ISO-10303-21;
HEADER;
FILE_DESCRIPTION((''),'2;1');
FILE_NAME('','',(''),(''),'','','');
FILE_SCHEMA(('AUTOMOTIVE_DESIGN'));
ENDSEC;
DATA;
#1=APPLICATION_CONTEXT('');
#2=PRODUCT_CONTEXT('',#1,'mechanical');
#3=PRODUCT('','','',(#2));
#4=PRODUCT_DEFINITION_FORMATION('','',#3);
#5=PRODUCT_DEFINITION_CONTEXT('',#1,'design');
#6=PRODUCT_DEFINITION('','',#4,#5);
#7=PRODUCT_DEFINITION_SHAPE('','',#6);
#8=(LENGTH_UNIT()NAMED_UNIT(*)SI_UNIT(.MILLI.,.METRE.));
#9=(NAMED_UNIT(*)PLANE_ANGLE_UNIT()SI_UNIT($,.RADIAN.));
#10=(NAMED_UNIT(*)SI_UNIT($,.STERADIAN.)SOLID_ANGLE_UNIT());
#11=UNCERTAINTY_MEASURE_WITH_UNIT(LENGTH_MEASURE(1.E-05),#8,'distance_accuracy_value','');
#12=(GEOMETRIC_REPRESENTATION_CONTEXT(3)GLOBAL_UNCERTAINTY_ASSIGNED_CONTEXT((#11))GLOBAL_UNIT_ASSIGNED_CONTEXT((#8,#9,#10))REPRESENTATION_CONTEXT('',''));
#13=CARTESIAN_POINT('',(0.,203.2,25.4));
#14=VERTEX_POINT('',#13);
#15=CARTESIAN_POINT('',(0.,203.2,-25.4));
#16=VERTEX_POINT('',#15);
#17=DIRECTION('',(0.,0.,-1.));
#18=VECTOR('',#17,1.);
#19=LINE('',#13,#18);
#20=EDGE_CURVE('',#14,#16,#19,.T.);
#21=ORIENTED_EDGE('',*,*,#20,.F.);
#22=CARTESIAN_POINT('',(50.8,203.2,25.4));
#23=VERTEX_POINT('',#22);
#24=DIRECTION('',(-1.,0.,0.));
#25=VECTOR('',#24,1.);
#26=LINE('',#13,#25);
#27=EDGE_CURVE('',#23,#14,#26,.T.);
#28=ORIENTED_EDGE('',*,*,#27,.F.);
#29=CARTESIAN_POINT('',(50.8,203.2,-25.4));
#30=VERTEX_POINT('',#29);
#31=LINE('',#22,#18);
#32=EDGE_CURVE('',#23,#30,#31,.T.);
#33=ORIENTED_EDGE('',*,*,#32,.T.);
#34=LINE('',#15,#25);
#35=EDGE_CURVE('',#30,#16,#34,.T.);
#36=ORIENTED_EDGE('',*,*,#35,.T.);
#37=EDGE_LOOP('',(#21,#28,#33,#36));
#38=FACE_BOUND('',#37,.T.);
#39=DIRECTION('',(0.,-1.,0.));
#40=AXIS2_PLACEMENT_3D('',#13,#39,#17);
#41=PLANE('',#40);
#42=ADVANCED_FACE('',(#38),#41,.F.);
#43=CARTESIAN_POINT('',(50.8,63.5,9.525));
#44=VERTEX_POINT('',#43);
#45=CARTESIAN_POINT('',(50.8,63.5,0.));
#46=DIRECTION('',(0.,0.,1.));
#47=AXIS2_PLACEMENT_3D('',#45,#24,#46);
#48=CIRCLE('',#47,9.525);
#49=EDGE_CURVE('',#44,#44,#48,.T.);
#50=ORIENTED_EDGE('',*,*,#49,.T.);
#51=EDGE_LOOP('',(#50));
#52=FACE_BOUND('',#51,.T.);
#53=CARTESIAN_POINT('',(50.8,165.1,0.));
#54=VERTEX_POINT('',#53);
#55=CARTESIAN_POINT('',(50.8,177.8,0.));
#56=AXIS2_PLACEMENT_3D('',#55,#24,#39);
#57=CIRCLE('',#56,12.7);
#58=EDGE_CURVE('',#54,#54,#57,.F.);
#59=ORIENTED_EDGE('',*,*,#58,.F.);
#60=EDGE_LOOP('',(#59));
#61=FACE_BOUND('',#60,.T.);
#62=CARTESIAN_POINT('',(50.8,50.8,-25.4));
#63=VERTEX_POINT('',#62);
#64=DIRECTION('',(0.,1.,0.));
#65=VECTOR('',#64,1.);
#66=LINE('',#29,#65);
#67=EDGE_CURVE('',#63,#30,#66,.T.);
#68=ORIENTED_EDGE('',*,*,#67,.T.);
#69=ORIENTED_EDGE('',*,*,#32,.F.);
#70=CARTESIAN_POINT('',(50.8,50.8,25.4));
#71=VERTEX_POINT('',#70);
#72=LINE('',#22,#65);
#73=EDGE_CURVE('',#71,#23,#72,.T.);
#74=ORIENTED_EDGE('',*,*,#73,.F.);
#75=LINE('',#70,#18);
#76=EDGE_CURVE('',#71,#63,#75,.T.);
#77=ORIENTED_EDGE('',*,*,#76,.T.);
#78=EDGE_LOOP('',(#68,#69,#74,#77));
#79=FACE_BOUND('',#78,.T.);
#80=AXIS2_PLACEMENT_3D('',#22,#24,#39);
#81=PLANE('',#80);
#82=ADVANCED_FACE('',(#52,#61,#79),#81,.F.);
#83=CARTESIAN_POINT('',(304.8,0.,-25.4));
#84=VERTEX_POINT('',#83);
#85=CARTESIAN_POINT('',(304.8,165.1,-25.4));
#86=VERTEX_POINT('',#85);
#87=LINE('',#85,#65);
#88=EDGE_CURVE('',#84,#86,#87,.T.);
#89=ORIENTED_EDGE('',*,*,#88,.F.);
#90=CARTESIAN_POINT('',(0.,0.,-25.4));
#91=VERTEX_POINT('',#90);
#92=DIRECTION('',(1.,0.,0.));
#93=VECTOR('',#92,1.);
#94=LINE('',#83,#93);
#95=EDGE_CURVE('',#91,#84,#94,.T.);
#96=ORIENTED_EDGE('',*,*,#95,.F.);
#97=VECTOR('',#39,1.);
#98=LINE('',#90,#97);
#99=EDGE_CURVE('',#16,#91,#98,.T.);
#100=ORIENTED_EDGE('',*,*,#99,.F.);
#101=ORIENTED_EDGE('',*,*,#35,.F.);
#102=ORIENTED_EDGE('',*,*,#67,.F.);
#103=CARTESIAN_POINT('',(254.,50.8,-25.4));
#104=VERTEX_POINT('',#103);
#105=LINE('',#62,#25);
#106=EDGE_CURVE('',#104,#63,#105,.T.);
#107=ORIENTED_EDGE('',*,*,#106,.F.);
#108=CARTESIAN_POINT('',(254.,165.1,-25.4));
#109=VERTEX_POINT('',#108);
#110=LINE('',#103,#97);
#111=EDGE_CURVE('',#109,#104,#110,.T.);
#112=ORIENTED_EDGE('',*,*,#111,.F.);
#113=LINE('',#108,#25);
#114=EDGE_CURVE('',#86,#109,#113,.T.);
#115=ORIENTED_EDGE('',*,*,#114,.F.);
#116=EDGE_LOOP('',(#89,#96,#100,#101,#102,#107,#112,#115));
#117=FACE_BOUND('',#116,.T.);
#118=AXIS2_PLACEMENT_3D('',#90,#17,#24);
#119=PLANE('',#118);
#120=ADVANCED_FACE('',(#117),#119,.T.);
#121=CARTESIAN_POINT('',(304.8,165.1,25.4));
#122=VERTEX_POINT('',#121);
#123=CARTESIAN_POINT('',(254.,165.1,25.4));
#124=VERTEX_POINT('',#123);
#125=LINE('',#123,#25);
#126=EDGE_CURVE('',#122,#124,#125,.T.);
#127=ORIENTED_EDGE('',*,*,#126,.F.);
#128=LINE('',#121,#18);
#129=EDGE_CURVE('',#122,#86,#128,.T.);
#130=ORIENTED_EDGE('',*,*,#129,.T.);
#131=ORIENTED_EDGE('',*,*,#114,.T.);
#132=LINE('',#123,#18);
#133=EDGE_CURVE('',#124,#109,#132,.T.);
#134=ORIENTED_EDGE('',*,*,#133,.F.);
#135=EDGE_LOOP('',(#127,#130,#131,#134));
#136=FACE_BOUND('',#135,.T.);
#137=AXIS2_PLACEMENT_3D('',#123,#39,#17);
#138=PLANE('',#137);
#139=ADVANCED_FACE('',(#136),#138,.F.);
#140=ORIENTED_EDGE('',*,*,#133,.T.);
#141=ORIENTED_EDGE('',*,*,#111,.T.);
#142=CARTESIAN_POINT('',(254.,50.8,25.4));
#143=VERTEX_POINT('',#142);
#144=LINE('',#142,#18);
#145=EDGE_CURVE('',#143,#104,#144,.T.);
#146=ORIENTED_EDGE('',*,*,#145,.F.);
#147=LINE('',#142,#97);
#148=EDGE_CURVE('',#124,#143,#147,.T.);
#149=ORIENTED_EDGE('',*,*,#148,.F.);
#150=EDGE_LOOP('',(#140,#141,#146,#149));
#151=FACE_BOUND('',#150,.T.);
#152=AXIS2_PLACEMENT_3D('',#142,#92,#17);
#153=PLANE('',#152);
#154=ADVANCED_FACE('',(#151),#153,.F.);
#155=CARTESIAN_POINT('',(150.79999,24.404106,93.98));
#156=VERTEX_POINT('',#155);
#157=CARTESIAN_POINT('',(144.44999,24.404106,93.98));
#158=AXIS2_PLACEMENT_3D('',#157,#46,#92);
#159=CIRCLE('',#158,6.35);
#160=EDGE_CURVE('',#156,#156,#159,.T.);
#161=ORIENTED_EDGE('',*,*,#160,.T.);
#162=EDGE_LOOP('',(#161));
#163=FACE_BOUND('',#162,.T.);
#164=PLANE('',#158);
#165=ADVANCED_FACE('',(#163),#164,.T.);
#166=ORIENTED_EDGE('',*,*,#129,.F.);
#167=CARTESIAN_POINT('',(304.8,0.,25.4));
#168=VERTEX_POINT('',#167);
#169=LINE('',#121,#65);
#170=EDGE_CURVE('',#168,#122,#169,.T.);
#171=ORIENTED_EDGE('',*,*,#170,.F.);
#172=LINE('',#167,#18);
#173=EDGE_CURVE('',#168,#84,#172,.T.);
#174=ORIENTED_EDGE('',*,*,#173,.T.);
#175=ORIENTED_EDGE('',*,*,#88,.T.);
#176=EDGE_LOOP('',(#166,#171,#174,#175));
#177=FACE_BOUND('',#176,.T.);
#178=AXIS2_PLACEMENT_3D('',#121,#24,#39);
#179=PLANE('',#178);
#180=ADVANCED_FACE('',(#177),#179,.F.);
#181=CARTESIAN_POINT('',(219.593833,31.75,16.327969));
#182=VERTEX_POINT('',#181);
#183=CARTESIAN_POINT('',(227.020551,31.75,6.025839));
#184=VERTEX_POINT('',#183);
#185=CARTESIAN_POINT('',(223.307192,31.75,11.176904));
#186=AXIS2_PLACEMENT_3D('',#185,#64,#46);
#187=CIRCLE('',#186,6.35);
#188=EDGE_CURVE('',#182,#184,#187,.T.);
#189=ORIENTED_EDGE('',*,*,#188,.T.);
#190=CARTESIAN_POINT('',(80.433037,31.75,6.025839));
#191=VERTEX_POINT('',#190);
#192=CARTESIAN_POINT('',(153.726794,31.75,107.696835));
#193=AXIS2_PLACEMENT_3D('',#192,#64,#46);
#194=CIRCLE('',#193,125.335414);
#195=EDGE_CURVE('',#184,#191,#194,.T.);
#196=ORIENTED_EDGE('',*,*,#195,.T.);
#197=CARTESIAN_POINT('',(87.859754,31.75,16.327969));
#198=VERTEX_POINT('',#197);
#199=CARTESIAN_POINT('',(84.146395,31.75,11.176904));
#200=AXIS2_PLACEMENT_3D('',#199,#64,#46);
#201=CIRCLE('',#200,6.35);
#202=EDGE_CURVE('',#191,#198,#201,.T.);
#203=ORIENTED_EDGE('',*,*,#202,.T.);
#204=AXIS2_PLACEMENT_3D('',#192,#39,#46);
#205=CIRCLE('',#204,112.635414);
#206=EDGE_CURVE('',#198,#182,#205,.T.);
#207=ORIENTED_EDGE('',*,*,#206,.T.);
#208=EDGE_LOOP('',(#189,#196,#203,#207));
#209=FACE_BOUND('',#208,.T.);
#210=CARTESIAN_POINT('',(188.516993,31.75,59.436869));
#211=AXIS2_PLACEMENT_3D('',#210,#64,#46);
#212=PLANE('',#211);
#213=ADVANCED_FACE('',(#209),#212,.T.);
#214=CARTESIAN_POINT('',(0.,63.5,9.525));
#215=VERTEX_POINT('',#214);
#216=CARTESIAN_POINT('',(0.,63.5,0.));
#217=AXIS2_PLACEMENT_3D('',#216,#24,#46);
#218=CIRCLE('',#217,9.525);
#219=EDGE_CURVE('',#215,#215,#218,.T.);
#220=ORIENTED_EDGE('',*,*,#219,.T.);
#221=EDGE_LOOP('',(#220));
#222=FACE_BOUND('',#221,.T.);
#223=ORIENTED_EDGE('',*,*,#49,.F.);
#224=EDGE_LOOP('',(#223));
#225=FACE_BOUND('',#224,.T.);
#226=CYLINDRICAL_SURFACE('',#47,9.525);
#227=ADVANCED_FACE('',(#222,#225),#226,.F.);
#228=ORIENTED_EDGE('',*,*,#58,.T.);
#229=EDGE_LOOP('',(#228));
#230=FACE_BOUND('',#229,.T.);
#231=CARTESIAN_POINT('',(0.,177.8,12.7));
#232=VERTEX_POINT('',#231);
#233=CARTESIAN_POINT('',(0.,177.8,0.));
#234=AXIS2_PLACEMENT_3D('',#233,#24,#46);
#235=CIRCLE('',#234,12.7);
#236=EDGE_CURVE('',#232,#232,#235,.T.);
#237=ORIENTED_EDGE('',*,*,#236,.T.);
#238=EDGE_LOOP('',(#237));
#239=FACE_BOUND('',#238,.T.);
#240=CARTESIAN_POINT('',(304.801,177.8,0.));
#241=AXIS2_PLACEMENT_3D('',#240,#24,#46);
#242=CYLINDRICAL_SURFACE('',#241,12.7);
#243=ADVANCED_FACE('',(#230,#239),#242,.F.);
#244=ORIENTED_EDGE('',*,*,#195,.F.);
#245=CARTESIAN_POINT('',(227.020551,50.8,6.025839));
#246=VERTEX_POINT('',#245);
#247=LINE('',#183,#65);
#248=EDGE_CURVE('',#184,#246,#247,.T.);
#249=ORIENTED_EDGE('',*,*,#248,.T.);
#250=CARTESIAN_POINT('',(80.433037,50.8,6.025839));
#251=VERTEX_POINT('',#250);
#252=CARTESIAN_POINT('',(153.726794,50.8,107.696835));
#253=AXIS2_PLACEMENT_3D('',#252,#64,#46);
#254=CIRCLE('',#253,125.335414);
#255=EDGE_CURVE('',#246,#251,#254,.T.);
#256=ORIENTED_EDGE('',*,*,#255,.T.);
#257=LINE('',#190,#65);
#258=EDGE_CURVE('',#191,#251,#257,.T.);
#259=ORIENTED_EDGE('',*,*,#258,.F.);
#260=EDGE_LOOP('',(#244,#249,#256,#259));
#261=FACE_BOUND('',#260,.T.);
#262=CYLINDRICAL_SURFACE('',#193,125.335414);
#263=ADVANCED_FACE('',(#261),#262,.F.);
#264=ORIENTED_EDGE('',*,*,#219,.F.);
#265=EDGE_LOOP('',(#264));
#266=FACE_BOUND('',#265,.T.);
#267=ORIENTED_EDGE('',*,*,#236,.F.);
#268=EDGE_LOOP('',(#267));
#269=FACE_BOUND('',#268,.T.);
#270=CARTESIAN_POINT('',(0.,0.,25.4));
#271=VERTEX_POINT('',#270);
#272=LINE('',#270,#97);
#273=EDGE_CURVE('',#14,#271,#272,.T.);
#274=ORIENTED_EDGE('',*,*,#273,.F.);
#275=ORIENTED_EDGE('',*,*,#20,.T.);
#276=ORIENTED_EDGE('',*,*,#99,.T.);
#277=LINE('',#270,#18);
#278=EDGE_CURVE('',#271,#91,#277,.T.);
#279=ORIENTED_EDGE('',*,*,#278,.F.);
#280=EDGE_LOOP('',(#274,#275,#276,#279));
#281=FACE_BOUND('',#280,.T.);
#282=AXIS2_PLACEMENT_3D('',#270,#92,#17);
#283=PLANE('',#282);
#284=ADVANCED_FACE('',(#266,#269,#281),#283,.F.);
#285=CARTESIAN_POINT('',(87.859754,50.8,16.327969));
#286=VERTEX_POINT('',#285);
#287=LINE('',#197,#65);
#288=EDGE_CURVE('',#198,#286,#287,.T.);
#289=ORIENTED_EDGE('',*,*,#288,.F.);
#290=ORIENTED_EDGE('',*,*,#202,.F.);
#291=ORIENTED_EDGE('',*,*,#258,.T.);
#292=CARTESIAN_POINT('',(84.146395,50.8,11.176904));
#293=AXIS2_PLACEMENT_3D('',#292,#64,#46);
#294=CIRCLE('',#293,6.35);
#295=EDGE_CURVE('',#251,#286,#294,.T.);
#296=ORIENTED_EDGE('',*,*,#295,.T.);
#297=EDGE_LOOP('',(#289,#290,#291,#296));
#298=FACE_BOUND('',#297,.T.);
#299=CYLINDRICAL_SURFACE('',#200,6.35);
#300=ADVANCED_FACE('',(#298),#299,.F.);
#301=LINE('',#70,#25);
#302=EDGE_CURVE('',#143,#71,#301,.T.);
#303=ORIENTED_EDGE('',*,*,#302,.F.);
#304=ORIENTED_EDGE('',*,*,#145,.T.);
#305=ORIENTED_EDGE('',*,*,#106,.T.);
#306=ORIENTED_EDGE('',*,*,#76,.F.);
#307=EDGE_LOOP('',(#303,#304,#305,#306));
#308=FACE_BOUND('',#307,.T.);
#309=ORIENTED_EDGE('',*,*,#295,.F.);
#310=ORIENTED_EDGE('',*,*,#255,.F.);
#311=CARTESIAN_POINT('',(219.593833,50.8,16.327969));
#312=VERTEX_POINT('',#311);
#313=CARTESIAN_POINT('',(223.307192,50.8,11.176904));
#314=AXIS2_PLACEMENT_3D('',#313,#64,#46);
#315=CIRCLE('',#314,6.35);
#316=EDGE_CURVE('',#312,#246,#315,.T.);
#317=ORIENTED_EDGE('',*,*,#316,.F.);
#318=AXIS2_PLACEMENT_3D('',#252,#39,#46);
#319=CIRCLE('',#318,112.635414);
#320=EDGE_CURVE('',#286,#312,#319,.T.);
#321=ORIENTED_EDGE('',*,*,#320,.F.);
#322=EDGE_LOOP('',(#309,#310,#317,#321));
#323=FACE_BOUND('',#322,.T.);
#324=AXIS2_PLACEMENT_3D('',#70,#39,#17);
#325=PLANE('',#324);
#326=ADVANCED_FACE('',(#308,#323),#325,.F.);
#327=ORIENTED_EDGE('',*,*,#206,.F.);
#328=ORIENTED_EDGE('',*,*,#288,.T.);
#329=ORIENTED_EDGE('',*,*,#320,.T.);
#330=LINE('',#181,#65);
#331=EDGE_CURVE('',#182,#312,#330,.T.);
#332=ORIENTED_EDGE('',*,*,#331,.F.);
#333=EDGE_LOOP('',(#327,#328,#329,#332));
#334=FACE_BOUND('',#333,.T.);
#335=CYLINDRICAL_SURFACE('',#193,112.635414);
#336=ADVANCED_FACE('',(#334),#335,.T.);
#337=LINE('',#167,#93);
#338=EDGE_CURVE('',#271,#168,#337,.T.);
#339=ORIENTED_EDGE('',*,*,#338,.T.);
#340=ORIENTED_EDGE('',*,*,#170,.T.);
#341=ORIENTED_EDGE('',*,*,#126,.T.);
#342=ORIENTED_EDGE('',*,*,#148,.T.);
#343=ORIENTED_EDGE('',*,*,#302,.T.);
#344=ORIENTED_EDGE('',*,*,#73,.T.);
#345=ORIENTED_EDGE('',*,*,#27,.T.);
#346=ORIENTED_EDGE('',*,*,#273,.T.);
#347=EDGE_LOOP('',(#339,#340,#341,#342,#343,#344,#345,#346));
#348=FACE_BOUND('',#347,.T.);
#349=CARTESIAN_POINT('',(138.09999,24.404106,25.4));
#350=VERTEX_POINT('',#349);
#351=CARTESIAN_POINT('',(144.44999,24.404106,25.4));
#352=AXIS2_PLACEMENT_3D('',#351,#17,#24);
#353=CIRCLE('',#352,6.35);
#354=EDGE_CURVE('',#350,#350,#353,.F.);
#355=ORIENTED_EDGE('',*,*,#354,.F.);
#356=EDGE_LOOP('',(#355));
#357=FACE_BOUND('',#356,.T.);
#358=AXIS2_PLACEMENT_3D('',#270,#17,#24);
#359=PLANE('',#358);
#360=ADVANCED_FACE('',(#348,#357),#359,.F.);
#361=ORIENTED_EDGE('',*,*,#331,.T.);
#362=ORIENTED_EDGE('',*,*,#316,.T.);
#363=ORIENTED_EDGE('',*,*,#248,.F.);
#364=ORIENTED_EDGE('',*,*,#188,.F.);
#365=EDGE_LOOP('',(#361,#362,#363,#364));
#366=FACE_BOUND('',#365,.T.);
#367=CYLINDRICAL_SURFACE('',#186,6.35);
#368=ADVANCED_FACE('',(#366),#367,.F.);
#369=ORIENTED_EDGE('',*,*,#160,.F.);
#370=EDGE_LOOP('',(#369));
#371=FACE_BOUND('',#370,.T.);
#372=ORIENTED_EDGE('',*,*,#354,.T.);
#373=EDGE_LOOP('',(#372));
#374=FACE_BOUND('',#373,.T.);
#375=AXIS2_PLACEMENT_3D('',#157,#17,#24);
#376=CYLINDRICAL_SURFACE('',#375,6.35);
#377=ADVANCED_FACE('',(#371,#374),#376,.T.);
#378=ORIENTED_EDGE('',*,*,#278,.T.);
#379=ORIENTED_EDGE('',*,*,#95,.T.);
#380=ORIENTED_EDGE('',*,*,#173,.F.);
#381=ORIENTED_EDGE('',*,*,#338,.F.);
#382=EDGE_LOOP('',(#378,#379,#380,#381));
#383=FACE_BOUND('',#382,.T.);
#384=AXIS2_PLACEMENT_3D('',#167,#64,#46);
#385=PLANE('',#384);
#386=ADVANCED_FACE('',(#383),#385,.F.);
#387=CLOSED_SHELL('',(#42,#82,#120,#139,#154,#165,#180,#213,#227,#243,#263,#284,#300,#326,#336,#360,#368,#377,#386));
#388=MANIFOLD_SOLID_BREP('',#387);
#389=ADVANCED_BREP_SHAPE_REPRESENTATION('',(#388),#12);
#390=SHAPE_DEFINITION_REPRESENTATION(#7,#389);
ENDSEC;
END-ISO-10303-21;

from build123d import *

# Parameters (mm, degrees)
BOSS_EXTRUDE1_DEPTH = 25.4
CUT_EXTRUDE1_REACH  = 369.204
SKETCH2_R           = 12.7
SKETCH3_R           = 9.525
CUT_EXTRUDE2_DEPTH  = 50.8
SKETCH4_R           = 6.35
BOSS_EXTRUDE2_DEPTH = 68.58
CUT_EXTRUDE3_DEPTH  = 19.05


with BuildPart() as part:
    # Sketch1 → Boss-Extrude1 (new, symmetric)
    with BuildSketch(Plane.XY):
        Polygon((0, 0), (0, 203.2), (50.8, 203.2), (50.8, 50.8), (254, 50.8), (254, 165.1), (304.8, 165.1), (304.8, 0), align=None)
    extrude(amount=BOSS_EXTRUDE1_DEPTH, both=True)

    # Sketch2 → Cut-Extrude1 (cut, up to next)
    with BuildSketch(Plane.ZY, mode=Mode.PRIVATE) as cut_extrude1_sk1:
        with Locations((0, 177.8)):
            Circle(SKETCH2_R)
    cut_extrude1_tool1 = extrude(cut_extrude1_sk1.sketch, amount=-CUT_EXTRUDE1_REACH, mode=Mode.PRIVATE) & part.part
    add(cut_extrude1_tool1.solids().sort_by_distance((0, 177.8, 0))[0], mode=Mode.SUBTRACT)

    # Sketch3 → Cut-Extrude2 (cut)
    with BuildSketch(Plane.ZY):
        with Locations((0, 63.5)):
            Circle(SKETCH3_R)
    extrude(amount=-CUT_EXTRUDE2_DEPTH, mode=Mode.SUBTRACT)

    # Sketch4 → Boss-Extrude2 (add)
    with BuildSketch(Plane.XY.offset(25.4)):
        with Locations(Location((144.449989541, 24.404106045, 0), (0, 0, 180))):
            Circle(SKETCH4_R)
    extrude(amount=BOSS_EXTRUDE2_DEPTH)

    # Sketch5 → Cut-Extrude3 (cut)
    with BuildSketch(Plane(origin=(0, 50.8, 0), x_dir=(1, 0, 0), z_dir=(0, 1, 0))):
        with BuildLine():
            ThreePointArc((227.02055062, -6.025839331), (153.726793571, 17.638579798), (80.433036521, -6.025839331))
            ThreePointArc((80.433036521, -6.025839331), (78.995330638, -14.890262707), (87.859754015, -16.32796859))
            ThreePointArc((87.859754015, -16.32796859), (153.726793571, 4.938579798), (219.593833127, -16.32796859))
            ThreePointArc((219.593833127, -16.32796859), (228.458256503, -14.890262707), (227.02055062, -6.025839331))
        make_face()
    extrude(amount=-CUT_EXTRUDE3_DEPTH, mode=Mode.SUBTRACT)


solid = part.part
